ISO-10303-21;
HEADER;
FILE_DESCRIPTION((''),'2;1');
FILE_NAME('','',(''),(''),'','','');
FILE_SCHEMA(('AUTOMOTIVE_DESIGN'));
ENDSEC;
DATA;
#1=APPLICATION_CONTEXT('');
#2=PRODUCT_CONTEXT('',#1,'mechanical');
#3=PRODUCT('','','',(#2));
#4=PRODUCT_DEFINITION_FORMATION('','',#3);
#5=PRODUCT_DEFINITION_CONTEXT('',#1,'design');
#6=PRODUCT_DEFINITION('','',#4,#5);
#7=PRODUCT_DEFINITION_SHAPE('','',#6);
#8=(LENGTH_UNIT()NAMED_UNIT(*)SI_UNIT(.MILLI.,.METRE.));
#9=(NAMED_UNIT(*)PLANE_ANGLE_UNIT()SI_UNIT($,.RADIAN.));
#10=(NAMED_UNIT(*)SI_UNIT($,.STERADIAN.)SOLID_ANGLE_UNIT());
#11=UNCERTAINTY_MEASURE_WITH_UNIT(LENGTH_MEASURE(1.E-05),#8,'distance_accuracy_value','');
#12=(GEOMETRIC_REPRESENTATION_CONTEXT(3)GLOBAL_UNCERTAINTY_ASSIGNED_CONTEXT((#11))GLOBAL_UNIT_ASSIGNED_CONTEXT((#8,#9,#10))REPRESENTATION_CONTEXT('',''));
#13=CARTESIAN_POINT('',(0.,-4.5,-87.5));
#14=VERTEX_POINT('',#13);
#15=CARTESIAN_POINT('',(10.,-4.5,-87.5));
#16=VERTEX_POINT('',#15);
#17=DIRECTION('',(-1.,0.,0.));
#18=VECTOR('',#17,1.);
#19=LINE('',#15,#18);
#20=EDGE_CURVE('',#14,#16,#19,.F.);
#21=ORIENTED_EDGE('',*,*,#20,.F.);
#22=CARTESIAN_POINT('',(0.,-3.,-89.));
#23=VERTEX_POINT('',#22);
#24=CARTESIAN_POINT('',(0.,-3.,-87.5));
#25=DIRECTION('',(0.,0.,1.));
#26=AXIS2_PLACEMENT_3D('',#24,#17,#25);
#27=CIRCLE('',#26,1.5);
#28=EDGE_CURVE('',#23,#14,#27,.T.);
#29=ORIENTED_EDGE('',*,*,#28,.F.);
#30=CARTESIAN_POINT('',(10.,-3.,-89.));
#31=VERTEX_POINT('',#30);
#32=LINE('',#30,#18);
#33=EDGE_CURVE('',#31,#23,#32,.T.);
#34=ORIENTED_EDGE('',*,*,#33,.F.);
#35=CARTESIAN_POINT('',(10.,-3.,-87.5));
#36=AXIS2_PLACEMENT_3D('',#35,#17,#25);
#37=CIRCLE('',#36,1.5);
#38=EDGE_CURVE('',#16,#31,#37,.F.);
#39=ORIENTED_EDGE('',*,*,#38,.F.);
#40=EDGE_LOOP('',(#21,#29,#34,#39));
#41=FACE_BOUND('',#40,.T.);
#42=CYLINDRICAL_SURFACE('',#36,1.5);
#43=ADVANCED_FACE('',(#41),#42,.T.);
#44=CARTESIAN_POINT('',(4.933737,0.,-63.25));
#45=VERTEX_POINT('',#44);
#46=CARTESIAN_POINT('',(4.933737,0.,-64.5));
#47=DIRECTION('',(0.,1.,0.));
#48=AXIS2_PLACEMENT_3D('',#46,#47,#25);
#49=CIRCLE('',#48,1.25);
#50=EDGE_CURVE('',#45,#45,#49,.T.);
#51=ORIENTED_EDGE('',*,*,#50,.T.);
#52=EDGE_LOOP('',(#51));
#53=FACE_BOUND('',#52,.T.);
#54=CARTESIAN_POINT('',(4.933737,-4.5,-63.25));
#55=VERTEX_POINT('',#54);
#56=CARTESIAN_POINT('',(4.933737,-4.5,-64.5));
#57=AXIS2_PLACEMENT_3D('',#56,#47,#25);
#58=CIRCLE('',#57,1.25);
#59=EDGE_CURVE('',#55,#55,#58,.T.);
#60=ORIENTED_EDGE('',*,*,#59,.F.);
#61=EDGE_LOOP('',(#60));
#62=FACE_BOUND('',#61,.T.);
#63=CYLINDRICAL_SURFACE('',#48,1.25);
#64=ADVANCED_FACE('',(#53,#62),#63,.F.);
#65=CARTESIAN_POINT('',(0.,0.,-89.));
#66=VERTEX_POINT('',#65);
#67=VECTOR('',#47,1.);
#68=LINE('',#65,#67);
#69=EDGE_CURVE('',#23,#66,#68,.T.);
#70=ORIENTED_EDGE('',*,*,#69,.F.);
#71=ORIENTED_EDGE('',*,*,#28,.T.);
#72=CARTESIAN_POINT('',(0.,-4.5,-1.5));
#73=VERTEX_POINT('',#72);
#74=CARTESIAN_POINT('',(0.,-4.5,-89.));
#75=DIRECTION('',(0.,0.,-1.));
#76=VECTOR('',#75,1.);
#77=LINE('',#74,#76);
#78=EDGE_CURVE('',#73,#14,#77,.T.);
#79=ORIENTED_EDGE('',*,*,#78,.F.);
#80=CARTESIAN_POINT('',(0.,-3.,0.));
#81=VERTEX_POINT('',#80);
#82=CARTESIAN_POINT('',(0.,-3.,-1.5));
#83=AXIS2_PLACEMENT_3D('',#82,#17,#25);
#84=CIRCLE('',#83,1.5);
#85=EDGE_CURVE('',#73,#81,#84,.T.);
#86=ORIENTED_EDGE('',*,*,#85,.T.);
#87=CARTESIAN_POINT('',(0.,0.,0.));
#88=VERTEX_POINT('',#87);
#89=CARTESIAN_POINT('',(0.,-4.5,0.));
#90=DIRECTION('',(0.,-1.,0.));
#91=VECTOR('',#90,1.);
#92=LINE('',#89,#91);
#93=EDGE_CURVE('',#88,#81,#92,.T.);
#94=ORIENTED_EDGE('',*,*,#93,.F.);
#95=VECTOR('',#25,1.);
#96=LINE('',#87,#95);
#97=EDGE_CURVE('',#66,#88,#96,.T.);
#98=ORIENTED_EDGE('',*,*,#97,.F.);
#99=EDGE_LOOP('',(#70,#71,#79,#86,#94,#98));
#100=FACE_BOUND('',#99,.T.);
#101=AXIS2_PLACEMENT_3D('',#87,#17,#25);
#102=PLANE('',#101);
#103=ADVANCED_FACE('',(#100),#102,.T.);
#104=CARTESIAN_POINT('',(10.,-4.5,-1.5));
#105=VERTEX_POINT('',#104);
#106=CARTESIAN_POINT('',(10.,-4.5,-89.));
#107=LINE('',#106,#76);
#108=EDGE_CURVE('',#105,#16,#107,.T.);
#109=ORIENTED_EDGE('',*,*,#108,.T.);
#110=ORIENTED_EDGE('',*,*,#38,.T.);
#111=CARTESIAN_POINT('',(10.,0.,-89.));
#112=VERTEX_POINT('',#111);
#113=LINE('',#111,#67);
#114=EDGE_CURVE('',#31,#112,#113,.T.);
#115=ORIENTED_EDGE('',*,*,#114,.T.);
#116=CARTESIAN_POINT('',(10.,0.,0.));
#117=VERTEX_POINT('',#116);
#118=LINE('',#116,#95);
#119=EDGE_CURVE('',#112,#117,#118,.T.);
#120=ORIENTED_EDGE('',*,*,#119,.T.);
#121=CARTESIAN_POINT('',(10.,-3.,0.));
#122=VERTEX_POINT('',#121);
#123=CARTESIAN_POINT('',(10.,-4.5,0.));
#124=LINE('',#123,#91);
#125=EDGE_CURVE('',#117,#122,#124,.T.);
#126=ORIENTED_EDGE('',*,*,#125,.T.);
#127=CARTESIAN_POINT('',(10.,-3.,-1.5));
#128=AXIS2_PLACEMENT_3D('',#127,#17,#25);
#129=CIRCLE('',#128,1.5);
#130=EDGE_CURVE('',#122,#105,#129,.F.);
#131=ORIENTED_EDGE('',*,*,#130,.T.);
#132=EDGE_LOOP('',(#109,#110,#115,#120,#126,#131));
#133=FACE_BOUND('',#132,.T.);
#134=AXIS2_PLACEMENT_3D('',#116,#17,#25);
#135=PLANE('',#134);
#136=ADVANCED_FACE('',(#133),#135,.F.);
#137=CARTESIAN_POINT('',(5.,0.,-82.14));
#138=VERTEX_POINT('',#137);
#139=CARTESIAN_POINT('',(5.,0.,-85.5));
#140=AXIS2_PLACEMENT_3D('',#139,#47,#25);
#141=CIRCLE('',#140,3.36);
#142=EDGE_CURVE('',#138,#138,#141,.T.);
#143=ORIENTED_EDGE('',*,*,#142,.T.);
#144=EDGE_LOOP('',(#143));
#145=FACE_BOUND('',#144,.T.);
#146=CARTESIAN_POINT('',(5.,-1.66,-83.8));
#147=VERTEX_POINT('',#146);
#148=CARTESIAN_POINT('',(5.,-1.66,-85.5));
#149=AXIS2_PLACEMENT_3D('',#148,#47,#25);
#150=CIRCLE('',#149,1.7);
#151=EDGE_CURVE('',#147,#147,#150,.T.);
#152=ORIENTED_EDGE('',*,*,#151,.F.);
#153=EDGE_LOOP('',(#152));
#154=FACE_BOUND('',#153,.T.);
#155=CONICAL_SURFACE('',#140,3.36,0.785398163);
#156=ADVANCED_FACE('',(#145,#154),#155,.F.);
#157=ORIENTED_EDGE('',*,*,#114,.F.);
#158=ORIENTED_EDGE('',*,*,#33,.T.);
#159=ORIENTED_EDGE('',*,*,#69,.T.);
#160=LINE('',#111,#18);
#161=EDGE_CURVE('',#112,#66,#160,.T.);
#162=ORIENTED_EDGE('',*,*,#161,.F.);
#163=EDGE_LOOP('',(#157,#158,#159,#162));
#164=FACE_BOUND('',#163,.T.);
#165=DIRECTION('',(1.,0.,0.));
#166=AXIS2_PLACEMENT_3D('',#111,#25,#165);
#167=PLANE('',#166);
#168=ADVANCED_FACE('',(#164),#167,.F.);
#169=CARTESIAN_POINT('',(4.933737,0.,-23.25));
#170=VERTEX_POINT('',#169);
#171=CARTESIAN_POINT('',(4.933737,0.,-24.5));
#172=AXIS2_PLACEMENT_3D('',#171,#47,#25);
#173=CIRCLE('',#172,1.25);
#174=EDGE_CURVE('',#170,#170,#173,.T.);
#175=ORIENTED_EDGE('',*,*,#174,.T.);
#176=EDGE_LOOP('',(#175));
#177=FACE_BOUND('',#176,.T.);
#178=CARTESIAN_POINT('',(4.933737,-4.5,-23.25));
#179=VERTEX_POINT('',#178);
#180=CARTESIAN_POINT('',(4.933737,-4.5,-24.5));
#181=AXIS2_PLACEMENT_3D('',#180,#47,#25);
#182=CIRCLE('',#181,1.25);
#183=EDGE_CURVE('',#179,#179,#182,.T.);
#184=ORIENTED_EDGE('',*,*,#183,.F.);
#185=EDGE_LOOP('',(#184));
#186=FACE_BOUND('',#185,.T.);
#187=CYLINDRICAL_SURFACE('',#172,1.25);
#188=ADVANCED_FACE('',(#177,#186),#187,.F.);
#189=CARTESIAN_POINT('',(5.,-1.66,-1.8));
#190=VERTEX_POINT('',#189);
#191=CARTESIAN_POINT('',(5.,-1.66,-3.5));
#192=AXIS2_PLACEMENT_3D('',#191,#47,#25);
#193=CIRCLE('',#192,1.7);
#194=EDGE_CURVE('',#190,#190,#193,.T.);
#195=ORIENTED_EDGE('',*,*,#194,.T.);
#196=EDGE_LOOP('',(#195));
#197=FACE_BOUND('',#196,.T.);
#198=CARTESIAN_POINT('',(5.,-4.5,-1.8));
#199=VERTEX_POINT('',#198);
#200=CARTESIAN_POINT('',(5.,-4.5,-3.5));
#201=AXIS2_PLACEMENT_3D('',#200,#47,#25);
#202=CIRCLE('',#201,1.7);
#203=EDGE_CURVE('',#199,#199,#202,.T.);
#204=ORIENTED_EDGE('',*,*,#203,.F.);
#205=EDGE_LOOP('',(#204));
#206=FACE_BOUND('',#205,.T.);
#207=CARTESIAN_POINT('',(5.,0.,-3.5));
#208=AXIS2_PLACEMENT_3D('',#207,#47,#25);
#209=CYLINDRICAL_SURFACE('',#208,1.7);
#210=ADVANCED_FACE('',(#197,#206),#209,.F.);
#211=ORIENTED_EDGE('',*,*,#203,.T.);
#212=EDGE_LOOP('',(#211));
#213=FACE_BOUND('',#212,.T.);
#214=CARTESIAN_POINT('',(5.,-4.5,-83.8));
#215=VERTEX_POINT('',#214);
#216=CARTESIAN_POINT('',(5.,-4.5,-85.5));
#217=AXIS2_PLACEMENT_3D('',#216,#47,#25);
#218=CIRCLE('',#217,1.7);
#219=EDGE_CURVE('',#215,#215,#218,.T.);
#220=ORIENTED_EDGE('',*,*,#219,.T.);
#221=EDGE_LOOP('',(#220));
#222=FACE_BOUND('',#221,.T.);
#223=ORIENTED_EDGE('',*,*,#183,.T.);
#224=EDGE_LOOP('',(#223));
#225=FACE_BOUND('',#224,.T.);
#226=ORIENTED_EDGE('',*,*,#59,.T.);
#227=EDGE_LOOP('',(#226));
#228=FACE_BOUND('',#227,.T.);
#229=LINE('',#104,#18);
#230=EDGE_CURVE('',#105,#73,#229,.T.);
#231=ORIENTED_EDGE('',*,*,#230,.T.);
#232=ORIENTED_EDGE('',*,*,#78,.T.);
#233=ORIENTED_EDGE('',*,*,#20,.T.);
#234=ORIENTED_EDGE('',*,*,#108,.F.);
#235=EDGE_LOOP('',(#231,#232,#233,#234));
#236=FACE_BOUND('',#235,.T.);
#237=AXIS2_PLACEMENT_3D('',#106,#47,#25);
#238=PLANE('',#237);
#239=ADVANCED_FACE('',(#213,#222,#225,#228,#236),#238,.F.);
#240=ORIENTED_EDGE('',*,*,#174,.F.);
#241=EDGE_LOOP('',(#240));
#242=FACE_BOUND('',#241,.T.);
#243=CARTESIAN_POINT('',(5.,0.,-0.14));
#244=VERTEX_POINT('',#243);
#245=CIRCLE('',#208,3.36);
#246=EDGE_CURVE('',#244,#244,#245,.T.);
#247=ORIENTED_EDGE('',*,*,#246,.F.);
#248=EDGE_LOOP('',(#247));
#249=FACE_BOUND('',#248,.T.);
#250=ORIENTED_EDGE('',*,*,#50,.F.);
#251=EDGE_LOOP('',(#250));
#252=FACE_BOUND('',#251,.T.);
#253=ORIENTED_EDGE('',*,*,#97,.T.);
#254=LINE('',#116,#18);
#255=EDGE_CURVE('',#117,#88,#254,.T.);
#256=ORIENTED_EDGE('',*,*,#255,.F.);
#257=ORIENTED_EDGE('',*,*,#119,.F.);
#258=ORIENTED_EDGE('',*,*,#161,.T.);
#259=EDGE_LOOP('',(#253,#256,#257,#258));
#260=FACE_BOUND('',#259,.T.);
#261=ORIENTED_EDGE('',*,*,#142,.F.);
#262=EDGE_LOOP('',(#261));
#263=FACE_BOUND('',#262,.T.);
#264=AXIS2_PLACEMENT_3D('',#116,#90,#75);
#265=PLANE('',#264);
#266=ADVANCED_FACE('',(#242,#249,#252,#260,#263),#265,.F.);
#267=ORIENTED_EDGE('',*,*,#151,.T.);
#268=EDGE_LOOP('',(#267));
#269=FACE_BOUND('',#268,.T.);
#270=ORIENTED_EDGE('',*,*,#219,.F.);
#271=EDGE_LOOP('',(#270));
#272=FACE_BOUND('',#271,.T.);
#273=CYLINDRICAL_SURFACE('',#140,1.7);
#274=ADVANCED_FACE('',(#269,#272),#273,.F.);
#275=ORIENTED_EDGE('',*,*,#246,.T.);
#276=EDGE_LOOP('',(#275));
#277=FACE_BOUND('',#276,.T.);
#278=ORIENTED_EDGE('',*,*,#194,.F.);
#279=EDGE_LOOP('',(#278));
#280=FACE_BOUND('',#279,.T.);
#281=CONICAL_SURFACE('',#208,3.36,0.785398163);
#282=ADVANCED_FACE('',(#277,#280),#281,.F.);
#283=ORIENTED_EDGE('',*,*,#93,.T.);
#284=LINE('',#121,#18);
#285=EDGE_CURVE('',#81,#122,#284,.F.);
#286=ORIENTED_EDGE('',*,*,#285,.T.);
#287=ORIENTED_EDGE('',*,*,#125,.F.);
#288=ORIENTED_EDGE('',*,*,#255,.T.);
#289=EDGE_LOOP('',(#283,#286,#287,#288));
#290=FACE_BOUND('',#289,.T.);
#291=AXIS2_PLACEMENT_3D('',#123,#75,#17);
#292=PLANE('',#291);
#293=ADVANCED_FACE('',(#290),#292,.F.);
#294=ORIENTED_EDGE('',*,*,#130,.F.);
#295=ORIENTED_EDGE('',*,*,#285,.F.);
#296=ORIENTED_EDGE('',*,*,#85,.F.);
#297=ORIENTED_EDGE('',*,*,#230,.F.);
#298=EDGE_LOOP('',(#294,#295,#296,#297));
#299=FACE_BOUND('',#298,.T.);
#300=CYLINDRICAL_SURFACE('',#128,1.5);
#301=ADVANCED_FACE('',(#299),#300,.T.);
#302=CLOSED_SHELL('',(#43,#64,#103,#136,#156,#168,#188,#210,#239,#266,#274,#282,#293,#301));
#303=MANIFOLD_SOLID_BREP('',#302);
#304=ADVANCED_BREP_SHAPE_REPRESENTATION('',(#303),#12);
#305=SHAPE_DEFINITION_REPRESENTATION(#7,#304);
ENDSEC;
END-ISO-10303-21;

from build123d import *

# Parameters (mm, degrees)
SKETCH1_W                                            = 89
SKETCH1_H                                            = 4.5
BOSS_EXTRUDE1_DEPTH                                  = 10
FILLET1_R                                            = 1.5
CSK_FOR_M3_HEX_SOCKET_COUNTERSUNK_CAP_SC_D           = 3.4
CSK_FOR_M3_HEX_SOCKET_COUNTERSUNK_CAP_SC_CSINK_D     = 6.72
CSK_FOR_M3_HEX_SOCKET_COUNTERSUNK_CAP_SC_CSINK_ANGLE = 90
M3_TAPPED_HOLE1_D                                    = 2.5
M3_TAPPED_HOLE1_DEPTH                                = 7.5
M3_TAPPED_HOLE1_TIP                                  = 0.751075774


with BuildPart() as part:
    # Sketch1 → Boss-Extrude1 (new body)
    with BuildSketch(Plane(origin=(0, 0, 0), x_dir=(0, 0, -1), z_dir=(1, 0, 0))):
        with Locations((44.5, -2.25)):
            Rectangle(SKETCH1_W, SKETCH1_H)
    extrude(amount=BOSS_EXTRUDE1_DEPTH)

    # Fillet1
    fillet1_edges = [part.edges().sort_by_distance(p)[0] for p in [
        (5, -4.5, -89),
        (5, -4.5, 0),
    ]]
    fillet(fillet1_edges, radius=FILLET1_R)

    # CSK for M3 Hex Socket Countersunk Cap Screw1 (through all)
    with Locations(Plane(origin=(0, 0, 0), x_dir=(1, 0, 0), z_dir=(0, 1, 0))):
        with Locations((5, 3.5), (5, 85.5)):
            CounterSinkHole(CSK_FOR_M3_HEX_SOCKET_COUNTERSUNK_CAP_SC_D / 2, CSK_FOR_M3_HEX_SOCKET_COUNTERSUNK_CAP_SC_CSINK_D / 2, counter_sink_angle=CSK_FOR_M3_HEX_SOCKET_COUNTERSUNK_CAP_SC_CSINK_ANGLE)

    # M3 Tapped Hole1
    with Locations(Plane(origin=(0, 0, 0), x_dir=(1, 0, 0), z_dir=(0, 1, 0))):
        with Locations((4.933736509, 24.5), (4.933736509, 64.5)):
            Hole(M3_TAPPED_HOLE1_D / 2, depth=M3_TAPPED_HOLE1_DEPTH)
            with Locations((0, 0, -(M3_TAPPED_HOLE1_DEPTH + M3_TAPPED_HOLE1_TIP / 2))):  # 118° drill point
                Cone(0, M3_TAPPED_HOLE1_D / 2, M3_TAPPED_HOLE1_TIP, mode=Mode.SUBTRACT)


solid = part.part
